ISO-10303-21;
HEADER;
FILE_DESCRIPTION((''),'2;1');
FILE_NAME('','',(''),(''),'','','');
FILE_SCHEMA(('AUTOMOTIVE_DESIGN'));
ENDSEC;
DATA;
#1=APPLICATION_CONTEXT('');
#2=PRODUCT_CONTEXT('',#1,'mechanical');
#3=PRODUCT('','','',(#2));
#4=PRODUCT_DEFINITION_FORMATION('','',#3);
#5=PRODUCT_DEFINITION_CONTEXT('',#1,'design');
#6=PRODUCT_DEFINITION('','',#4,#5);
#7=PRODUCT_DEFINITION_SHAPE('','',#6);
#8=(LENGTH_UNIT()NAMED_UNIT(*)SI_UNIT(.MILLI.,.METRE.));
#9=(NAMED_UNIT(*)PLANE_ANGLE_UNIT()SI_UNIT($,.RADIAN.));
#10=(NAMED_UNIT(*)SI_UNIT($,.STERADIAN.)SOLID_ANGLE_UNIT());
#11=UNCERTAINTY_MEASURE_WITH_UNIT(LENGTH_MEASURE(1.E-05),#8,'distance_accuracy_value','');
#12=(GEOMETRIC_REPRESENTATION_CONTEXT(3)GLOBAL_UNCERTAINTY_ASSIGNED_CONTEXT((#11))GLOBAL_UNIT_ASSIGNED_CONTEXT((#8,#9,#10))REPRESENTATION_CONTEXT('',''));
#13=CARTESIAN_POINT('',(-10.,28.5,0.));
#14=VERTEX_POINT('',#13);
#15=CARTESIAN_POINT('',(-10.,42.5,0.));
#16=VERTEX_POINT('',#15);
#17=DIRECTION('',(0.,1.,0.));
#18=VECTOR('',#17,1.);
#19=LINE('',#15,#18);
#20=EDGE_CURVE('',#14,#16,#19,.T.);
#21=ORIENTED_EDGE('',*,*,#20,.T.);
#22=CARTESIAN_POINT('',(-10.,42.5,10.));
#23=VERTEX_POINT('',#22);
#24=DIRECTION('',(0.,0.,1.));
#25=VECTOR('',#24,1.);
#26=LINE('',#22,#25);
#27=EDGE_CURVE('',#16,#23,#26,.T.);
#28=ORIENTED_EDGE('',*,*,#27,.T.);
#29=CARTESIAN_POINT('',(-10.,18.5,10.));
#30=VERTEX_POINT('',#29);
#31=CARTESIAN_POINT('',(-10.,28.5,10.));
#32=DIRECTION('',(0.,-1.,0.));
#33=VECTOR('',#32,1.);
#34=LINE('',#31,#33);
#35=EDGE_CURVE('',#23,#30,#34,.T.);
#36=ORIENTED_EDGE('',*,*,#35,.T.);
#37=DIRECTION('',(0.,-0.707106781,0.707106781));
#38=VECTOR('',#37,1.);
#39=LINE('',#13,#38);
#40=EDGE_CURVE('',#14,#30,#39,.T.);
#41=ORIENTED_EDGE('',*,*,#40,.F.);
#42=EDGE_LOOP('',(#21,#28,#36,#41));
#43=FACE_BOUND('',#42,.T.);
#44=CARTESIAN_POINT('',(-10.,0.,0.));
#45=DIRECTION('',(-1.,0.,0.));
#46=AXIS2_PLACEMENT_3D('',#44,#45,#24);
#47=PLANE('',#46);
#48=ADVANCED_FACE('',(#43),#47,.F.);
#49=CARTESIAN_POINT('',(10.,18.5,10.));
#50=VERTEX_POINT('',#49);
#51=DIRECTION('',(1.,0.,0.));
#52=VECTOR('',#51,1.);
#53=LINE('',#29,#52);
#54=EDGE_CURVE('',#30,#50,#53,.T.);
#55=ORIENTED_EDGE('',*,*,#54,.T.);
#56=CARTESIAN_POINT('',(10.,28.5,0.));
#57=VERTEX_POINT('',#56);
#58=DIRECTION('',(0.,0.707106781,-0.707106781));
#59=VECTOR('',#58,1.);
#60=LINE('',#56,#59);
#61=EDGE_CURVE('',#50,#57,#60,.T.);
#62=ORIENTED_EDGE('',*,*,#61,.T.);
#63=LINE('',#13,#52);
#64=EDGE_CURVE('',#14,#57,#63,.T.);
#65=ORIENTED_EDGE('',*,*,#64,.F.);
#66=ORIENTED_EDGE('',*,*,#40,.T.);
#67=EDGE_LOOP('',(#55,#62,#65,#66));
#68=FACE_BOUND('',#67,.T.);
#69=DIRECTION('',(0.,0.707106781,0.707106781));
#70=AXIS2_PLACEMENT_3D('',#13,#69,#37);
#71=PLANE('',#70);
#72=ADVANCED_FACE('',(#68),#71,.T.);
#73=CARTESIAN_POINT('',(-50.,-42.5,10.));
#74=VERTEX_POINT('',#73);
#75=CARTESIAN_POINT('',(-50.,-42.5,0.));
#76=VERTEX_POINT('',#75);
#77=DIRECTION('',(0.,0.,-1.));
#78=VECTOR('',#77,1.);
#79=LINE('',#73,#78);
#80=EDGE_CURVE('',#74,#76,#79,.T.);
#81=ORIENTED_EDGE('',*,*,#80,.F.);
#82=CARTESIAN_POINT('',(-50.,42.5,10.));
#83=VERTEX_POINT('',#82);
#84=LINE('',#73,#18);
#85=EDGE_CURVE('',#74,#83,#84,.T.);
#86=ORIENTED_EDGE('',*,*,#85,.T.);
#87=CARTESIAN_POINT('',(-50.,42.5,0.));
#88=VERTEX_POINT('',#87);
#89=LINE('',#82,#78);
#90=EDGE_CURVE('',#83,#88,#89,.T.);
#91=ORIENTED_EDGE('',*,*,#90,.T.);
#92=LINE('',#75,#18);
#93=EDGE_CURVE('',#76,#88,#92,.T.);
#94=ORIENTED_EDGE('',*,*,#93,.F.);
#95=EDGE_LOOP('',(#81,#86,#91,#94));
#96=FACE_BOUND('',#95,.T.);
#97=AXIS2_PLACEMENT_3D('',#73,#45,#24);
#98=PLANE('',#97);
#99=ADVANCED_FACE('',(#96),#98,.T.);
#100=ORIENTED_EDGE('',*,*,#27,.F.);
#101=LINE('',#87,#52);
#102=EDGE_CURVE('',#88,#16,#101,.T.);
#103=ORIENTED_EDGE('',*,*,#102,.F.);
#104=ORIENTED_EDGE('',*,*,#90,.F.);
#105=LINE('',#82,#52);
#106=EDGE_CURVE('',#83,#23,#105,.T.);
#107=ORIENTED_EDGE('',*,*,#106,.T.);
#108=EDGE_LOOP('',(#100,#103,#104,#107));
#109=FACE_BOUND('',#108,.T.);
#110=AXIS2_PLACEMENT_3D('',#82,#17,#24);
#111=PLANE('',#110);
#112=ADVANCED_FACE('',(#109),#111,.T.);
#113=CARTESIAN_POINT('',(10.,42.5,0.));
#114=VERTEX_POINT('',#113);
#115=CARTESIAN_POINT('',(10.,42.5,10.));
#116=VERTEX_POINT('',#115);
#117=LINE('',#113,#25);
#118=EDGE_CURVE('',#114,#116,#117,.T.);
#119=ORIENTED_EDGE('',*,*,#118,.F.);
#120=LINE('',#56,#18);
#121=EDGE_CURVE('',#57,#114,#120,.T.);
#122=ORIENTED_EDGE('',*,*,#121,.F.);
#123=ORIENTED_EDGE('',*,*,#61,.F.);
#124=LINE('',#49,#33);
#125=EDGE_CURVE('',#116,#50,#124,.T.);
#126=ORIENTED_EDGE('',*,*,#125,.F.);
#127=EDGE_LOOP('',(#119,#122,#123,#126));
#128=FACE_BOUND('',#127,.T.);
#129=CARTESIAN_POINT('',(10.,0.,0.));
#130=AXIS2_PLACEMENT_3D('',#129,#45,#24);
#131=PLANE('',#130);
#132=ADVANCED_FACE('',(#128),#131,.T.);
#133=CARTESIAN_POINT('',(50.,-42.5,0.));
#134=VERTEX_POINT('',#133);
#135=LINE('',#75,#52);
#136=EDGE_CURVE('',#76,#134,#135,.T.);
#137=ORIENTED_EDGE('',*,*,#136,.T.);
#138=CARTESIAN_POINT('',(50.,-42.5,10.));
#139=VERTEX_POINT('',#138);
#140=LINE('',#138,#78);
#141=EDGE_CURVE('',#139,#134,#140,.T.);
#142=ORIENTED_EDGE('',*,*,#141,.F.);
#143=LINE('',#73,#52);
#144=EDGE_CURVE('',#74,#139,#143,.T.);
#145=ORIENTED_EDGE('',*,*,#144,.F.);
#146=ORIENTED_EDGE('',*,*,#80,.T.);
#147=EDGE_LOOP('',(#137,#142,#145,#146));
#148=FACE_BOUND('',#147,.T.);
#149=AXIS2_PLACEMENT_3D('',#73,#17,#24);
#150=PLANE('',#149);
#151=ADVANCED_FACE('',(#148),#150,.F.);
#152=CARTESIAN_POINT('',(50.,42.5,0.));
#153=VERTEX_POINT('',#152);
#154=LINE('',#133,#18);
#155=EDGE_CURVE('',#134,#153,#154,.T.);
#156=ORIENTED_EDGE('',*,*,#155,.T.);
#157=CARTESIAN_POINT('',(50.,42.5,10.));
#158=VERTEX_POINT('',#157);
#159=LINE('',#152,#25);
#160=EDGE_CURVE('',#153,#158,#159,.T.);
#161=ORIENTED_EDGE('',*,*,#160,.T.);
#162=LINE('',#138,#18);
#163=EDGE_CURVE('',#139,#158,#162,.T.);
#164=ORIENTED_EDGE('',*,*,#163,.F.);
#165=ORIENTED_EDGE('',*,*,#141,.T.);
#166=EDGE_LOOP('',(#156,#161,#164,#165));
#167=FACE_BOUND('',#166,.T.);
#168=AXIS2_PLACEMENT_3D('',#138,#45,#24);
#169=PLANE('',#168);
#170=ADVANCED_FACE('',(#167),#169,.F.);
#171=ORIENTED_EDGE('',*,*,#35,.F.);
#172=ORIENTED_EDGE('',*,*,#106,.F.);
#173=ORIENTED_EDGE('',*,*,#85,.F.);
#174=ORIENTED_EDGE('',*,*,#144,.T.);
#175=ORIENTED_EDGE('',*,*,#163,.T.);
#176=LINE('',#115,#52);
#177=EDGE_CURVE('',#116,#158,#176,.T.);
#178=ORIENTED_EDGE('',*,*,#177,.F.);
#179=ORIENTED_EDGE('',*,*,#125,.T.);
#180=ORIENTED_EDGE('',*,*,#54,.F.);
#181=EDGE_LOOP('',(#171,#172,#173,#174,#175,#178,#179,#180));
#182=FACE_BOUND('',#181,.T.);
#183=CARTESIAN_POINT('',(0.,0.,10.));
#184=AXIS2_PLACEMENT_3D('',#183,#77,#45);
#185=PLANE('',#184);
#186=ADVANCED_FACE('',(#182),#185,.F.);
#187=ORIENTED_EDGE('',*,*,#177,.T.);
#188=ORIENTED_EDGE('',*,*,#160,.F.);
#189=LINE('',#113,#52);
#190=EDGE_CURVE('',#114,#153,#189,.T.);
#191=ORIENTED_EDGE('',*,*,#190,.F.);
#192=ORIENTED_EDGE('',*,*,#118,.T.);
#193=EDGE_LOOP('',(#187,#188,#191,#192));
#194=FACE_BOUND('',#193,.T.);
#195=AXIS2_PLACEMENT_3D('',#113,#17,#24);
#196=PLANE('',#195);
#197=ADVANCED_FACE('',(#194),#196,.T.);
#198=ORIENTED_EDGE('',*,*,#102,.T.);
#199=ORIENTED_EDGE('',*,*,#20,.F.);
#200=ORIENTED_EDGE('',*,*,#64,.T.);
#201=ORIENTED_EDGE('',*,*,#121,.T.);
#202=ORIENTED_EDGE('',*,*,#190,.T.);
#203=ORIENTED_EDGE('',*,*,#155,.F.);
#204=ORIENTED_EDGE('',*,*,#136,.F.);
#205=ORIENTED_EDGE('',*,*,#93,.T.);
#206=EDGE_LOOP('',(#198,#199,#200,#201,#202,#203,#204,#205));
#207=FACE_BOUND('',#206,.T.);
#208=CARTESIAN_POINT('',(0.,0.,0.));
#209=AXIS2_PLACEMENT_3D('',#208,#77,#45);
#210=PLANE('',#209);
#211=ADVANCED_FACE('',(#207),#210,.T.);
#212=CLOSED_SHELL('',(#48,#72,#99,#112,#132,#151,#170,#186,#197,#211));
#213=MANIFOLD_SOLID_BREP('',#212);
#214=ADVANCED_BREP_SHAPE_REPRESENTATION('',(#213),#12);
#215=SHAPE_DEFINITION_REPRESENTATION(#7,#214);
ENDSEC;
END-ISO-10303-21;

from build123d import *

# Parameters (mm, degrees)
BOSS_EXTRU_1_DEPTH      = 10
ENL_V_MAT_EXTRU_1_DEPTH = 60
BOSS_EXTRU_2_DEPTH      = 40
ESQUISSE5_W             = 10
ESQUISSE5_H             = 30
BOSS_EXTRU_3_DEPTH      = 60
ESQUISSE6_W             = 10
ESQUISSE6_H             = 14
ENL_V_MAT_EXTRU_2_DEPTH = 60
ESQUISSE9_W             = 10
ESQUISSE9_H             = 14
BOSS_EXTRU_4_DEPTH      = 40
ENL_V_MAT_EXTRU_3_DEPTH = 60
BOSS_EXTRU_5_DEPTH      = 40
ESQUISSE13_W            = 10
ESQUISSE13_H            = 31.398637822
BOSS_EXTRU_6_DEPTH      = 60
ENL_V_MAT_EXTRU_9_DEPTH = 60
BOSS_EXTRU_7_DEPTH      = 40


with BuildPart() as part:
    # Esquisse1 → Boss.-Extru.1 (new body)
    with BuildSketch(Plane.XY):
        Polygon((-50, -42.5), (50, -42.5), (50, 42.5), (10, 42.5), (10, 28.5), (0, 28.5), (-10, 28.5), (-10, 42.5), (-50, 42.5), align=None)
    extrude(amount=BOSS_EXTRU_1_DEPTH)

    # Esquisse2 → Enlèv. mat.-Extru.1 (cut)
    with BuildSketch(Plane(origin=(50, 0, 0), x_dir=(0, 0, -1), z_dir=(1, 0, 0))):
        Polygon((-10, 28.5), (0, 18.5), (0, 28.5), align=None)
    extrude(amount=-ENL_V_MAT_EXTRU_1_DEPTH, mode=Mode.SUBTRACT)


with BuildPart() as enl_v_mat_extru_1_piece_1:
    # of the separate pieces the step leaves, piece 1, a body of its own (enl_v_mat_extru_1_pieces)
    add(part.part.solids().sort_by_distance((-50, -42.5, 0))[0])



with BuildPart() as enl_v_mat_extru_1_piece_2:
    # of the separate pieces the step leaves, piece 2, a body of its own (enl_v_mat_extru_1_pieces)
    add(part.part.solids().sort_by_distance((10, 42.5, 10))[0])


with BuildPart() as enl_v_mat_extru_1_piece_1_1:
    add(enl_v_mat_extru_1_piece_1.part)

    add(enl_v_mat_extru_1_piece_2.part)  # Boss.-Extru.2 merges Enlèv. mat.-Extru.1 piece 2
    # Esquisse4 → Boss.-Extru.2 (add)
    with BuildSketch(Plane(origin=(50, 0, 0), x_dir=(0, 0, -1), z_dir=(1, 0, 0))):
        Polygon((-10, 28.5), (0, 18.5), (0, 28.5), align=None)
    extrude(amount=-BOSS_EXTRU_2_DEPTH)

    # Esquisse5 → Boss.-Extru.3 (add)
    with BuildSketch(Plane(origin=(50, 0, 0), x_dir=(0, 0, -1), z_dir=(1, 0, 0))):
        with Locations((-5, 27.5)):
            Rectangle(ESQUISSE5_W, ESQUISSE5_H)
    extrude(amount=-BOSS_EXTRU_3_DEPTH)

    # Esquisse6 → Enlèv. mat.-Extru.2 (cut)
    with BuildSketch(Plane(origin=(50, 0, 0), x_dir=(0, 0, -1), z_dir=(1, 0, 0))):
        with Locations((-5, 35.5)):
            Rectangle(ESQUISSE6_W, ESQUISSE6_H)
    extrude(amount=-ENL_V_MAT_EXTRU_2_DEPTH, mode=Mode.SUBTRACT)

    # Esquisse9 → Boss.-Extru.4 (add)
    with BuildSketch(Plane(origin=(50, 0, 0), x_dir=(0, 0, -1), z_dir=(1, 0, 0))):
        with Locations((-5, 35.5)):
            Rectangle(ESQUISSE9_W, ESQUISSE9_H)
    extrude(amount=-BOSS_EXTRU_4_DEPTH)

    # Esquisse11 → Enlèv. mat.-Extru.3 (cut)
    with BuildSketch(Plane(origin=(50, 0, 0), x_dir=(0, 0, -1), z_dir=(1, 0, 0))):
        Polygon((0, 18.5), (0, 28.5), (-10, 28.5), align=None)
    extrude(amount=-ENL_V_MAT_EXTRU_3_DEPTH, mode=Mode.SUBTRACT)


with BuildPart() as enl_v_mat_extru_3_piece_1:
    # of the separate pieces the step leaves, piece 1, a body of its own (enl_v_mat_extru_3_pieces)
    add(enl_v_mat_extru_1_piece_1_1.part.solids().sort_by_distance((-10, 28.5, 10))[0])



with BuildPart() as enl_v_mat_extru_3_piece_2:
    # of the separate pieces the step leaves, piece 2, a body of its own (enl_v_mat_extru_3_pieces)
    add(enl_v_mat_extru_1_piece_1_1.part.solids().sort_by_distance((10, 42.5, 10))[0])


with BuildPart() as enl_v_mat_extru_3_piece_1_1:
    add(enl_v_mat_extru_3_piece_1.part)

    add(enl_v_mat_extru_3_piece_2.part)  # Boss.-Extru.5 merges Enlèv. mat.-Extru.3 piece 2
    # Esquisse12 → Boss.-Extru.5 (add)
    with BuildSketch(Plane(origin=(50, 0, 0), x_dir=(0, 0, -1), z_dir=(1, 0, 0))):
        Polygon((-10, 28.5), (0, 28.5), (0, 18.5), align=None)
    extrude(amount=-BOSS_EXTRU_5_DEPTH)

    # Esquisse13 → Boss.-Extru.6 (add)
    with BuildSketch(Plane(origin=(50, 0, 0), x_dir=(0, 0, -1), z_dir=(1, 0, 0))):
        with Locations((-5, 12.800681089)):
            Rectangle(ESQUISSE13_W, ESQUISSE13_H)
    extrude(amount=-BOSS_EXTRU_6_DEPTH)

    # Esquisse16 → Enlèv. mat.-Extru.9 (cut)
    with BuildSketch(Plane(origin=(50, 0, 0), x_dir=(0, 0, -1), z_dir=(1, 0, 0))):
        Polygon((-10, 28.5), (0, 28.5), (-10, 18.5), align=None)
    extrude(amount=-ENL_V_MAT_EXTRU_9_DEPTH, mode=Mode.SUBTRACT)


with BuildPart() as enl_v_mat_extru_9_piece_1:
    # of the separate pieces the step leaves, piece 1, a body of its own (enl_v_mat_extru_9_pieces)
    add(enl_v_mat_extru_3_piece_1_1.part.solids().sort_by_distance((50, -42.5, 10))[0])



with BuildPart() as enl_v_mat_extru_9_piece_2:
    # of the separate pieces the step leaves, piece 2, a body of its own (enl_v_mat_extru_9_pieces)
    add(enl_v_mat_extru_3_piece_1_1.part.solids().sort_by_distance((50, 28.5, 10))[0])


with BuildPart() as enl_v_mat_extru_9_piece_1_1:
    add(enl_v_mat_extru_9_piece_1.part)

    add(enl_v_mat_extru_9_piece_2.part)  # Boss.-Extru.7 merges Enlèv. mat.-Extru.9 piece 2
    # Esquisse17 → Boss.-Extru.7 (add)
    with BuildSketch(Plane(origin=(50, 0, 0), x_dir=(0, 0, -1), z_dir=(1, 0, 0))):
        Polygon((-10, 28.5), (0, 28.5), (-10, 18.5), align=None)
    extrude(amount=-BOSS_EXTRU_7_DEPTH)


solid = enl_v_mat_extru_9_piece_1_1.part
